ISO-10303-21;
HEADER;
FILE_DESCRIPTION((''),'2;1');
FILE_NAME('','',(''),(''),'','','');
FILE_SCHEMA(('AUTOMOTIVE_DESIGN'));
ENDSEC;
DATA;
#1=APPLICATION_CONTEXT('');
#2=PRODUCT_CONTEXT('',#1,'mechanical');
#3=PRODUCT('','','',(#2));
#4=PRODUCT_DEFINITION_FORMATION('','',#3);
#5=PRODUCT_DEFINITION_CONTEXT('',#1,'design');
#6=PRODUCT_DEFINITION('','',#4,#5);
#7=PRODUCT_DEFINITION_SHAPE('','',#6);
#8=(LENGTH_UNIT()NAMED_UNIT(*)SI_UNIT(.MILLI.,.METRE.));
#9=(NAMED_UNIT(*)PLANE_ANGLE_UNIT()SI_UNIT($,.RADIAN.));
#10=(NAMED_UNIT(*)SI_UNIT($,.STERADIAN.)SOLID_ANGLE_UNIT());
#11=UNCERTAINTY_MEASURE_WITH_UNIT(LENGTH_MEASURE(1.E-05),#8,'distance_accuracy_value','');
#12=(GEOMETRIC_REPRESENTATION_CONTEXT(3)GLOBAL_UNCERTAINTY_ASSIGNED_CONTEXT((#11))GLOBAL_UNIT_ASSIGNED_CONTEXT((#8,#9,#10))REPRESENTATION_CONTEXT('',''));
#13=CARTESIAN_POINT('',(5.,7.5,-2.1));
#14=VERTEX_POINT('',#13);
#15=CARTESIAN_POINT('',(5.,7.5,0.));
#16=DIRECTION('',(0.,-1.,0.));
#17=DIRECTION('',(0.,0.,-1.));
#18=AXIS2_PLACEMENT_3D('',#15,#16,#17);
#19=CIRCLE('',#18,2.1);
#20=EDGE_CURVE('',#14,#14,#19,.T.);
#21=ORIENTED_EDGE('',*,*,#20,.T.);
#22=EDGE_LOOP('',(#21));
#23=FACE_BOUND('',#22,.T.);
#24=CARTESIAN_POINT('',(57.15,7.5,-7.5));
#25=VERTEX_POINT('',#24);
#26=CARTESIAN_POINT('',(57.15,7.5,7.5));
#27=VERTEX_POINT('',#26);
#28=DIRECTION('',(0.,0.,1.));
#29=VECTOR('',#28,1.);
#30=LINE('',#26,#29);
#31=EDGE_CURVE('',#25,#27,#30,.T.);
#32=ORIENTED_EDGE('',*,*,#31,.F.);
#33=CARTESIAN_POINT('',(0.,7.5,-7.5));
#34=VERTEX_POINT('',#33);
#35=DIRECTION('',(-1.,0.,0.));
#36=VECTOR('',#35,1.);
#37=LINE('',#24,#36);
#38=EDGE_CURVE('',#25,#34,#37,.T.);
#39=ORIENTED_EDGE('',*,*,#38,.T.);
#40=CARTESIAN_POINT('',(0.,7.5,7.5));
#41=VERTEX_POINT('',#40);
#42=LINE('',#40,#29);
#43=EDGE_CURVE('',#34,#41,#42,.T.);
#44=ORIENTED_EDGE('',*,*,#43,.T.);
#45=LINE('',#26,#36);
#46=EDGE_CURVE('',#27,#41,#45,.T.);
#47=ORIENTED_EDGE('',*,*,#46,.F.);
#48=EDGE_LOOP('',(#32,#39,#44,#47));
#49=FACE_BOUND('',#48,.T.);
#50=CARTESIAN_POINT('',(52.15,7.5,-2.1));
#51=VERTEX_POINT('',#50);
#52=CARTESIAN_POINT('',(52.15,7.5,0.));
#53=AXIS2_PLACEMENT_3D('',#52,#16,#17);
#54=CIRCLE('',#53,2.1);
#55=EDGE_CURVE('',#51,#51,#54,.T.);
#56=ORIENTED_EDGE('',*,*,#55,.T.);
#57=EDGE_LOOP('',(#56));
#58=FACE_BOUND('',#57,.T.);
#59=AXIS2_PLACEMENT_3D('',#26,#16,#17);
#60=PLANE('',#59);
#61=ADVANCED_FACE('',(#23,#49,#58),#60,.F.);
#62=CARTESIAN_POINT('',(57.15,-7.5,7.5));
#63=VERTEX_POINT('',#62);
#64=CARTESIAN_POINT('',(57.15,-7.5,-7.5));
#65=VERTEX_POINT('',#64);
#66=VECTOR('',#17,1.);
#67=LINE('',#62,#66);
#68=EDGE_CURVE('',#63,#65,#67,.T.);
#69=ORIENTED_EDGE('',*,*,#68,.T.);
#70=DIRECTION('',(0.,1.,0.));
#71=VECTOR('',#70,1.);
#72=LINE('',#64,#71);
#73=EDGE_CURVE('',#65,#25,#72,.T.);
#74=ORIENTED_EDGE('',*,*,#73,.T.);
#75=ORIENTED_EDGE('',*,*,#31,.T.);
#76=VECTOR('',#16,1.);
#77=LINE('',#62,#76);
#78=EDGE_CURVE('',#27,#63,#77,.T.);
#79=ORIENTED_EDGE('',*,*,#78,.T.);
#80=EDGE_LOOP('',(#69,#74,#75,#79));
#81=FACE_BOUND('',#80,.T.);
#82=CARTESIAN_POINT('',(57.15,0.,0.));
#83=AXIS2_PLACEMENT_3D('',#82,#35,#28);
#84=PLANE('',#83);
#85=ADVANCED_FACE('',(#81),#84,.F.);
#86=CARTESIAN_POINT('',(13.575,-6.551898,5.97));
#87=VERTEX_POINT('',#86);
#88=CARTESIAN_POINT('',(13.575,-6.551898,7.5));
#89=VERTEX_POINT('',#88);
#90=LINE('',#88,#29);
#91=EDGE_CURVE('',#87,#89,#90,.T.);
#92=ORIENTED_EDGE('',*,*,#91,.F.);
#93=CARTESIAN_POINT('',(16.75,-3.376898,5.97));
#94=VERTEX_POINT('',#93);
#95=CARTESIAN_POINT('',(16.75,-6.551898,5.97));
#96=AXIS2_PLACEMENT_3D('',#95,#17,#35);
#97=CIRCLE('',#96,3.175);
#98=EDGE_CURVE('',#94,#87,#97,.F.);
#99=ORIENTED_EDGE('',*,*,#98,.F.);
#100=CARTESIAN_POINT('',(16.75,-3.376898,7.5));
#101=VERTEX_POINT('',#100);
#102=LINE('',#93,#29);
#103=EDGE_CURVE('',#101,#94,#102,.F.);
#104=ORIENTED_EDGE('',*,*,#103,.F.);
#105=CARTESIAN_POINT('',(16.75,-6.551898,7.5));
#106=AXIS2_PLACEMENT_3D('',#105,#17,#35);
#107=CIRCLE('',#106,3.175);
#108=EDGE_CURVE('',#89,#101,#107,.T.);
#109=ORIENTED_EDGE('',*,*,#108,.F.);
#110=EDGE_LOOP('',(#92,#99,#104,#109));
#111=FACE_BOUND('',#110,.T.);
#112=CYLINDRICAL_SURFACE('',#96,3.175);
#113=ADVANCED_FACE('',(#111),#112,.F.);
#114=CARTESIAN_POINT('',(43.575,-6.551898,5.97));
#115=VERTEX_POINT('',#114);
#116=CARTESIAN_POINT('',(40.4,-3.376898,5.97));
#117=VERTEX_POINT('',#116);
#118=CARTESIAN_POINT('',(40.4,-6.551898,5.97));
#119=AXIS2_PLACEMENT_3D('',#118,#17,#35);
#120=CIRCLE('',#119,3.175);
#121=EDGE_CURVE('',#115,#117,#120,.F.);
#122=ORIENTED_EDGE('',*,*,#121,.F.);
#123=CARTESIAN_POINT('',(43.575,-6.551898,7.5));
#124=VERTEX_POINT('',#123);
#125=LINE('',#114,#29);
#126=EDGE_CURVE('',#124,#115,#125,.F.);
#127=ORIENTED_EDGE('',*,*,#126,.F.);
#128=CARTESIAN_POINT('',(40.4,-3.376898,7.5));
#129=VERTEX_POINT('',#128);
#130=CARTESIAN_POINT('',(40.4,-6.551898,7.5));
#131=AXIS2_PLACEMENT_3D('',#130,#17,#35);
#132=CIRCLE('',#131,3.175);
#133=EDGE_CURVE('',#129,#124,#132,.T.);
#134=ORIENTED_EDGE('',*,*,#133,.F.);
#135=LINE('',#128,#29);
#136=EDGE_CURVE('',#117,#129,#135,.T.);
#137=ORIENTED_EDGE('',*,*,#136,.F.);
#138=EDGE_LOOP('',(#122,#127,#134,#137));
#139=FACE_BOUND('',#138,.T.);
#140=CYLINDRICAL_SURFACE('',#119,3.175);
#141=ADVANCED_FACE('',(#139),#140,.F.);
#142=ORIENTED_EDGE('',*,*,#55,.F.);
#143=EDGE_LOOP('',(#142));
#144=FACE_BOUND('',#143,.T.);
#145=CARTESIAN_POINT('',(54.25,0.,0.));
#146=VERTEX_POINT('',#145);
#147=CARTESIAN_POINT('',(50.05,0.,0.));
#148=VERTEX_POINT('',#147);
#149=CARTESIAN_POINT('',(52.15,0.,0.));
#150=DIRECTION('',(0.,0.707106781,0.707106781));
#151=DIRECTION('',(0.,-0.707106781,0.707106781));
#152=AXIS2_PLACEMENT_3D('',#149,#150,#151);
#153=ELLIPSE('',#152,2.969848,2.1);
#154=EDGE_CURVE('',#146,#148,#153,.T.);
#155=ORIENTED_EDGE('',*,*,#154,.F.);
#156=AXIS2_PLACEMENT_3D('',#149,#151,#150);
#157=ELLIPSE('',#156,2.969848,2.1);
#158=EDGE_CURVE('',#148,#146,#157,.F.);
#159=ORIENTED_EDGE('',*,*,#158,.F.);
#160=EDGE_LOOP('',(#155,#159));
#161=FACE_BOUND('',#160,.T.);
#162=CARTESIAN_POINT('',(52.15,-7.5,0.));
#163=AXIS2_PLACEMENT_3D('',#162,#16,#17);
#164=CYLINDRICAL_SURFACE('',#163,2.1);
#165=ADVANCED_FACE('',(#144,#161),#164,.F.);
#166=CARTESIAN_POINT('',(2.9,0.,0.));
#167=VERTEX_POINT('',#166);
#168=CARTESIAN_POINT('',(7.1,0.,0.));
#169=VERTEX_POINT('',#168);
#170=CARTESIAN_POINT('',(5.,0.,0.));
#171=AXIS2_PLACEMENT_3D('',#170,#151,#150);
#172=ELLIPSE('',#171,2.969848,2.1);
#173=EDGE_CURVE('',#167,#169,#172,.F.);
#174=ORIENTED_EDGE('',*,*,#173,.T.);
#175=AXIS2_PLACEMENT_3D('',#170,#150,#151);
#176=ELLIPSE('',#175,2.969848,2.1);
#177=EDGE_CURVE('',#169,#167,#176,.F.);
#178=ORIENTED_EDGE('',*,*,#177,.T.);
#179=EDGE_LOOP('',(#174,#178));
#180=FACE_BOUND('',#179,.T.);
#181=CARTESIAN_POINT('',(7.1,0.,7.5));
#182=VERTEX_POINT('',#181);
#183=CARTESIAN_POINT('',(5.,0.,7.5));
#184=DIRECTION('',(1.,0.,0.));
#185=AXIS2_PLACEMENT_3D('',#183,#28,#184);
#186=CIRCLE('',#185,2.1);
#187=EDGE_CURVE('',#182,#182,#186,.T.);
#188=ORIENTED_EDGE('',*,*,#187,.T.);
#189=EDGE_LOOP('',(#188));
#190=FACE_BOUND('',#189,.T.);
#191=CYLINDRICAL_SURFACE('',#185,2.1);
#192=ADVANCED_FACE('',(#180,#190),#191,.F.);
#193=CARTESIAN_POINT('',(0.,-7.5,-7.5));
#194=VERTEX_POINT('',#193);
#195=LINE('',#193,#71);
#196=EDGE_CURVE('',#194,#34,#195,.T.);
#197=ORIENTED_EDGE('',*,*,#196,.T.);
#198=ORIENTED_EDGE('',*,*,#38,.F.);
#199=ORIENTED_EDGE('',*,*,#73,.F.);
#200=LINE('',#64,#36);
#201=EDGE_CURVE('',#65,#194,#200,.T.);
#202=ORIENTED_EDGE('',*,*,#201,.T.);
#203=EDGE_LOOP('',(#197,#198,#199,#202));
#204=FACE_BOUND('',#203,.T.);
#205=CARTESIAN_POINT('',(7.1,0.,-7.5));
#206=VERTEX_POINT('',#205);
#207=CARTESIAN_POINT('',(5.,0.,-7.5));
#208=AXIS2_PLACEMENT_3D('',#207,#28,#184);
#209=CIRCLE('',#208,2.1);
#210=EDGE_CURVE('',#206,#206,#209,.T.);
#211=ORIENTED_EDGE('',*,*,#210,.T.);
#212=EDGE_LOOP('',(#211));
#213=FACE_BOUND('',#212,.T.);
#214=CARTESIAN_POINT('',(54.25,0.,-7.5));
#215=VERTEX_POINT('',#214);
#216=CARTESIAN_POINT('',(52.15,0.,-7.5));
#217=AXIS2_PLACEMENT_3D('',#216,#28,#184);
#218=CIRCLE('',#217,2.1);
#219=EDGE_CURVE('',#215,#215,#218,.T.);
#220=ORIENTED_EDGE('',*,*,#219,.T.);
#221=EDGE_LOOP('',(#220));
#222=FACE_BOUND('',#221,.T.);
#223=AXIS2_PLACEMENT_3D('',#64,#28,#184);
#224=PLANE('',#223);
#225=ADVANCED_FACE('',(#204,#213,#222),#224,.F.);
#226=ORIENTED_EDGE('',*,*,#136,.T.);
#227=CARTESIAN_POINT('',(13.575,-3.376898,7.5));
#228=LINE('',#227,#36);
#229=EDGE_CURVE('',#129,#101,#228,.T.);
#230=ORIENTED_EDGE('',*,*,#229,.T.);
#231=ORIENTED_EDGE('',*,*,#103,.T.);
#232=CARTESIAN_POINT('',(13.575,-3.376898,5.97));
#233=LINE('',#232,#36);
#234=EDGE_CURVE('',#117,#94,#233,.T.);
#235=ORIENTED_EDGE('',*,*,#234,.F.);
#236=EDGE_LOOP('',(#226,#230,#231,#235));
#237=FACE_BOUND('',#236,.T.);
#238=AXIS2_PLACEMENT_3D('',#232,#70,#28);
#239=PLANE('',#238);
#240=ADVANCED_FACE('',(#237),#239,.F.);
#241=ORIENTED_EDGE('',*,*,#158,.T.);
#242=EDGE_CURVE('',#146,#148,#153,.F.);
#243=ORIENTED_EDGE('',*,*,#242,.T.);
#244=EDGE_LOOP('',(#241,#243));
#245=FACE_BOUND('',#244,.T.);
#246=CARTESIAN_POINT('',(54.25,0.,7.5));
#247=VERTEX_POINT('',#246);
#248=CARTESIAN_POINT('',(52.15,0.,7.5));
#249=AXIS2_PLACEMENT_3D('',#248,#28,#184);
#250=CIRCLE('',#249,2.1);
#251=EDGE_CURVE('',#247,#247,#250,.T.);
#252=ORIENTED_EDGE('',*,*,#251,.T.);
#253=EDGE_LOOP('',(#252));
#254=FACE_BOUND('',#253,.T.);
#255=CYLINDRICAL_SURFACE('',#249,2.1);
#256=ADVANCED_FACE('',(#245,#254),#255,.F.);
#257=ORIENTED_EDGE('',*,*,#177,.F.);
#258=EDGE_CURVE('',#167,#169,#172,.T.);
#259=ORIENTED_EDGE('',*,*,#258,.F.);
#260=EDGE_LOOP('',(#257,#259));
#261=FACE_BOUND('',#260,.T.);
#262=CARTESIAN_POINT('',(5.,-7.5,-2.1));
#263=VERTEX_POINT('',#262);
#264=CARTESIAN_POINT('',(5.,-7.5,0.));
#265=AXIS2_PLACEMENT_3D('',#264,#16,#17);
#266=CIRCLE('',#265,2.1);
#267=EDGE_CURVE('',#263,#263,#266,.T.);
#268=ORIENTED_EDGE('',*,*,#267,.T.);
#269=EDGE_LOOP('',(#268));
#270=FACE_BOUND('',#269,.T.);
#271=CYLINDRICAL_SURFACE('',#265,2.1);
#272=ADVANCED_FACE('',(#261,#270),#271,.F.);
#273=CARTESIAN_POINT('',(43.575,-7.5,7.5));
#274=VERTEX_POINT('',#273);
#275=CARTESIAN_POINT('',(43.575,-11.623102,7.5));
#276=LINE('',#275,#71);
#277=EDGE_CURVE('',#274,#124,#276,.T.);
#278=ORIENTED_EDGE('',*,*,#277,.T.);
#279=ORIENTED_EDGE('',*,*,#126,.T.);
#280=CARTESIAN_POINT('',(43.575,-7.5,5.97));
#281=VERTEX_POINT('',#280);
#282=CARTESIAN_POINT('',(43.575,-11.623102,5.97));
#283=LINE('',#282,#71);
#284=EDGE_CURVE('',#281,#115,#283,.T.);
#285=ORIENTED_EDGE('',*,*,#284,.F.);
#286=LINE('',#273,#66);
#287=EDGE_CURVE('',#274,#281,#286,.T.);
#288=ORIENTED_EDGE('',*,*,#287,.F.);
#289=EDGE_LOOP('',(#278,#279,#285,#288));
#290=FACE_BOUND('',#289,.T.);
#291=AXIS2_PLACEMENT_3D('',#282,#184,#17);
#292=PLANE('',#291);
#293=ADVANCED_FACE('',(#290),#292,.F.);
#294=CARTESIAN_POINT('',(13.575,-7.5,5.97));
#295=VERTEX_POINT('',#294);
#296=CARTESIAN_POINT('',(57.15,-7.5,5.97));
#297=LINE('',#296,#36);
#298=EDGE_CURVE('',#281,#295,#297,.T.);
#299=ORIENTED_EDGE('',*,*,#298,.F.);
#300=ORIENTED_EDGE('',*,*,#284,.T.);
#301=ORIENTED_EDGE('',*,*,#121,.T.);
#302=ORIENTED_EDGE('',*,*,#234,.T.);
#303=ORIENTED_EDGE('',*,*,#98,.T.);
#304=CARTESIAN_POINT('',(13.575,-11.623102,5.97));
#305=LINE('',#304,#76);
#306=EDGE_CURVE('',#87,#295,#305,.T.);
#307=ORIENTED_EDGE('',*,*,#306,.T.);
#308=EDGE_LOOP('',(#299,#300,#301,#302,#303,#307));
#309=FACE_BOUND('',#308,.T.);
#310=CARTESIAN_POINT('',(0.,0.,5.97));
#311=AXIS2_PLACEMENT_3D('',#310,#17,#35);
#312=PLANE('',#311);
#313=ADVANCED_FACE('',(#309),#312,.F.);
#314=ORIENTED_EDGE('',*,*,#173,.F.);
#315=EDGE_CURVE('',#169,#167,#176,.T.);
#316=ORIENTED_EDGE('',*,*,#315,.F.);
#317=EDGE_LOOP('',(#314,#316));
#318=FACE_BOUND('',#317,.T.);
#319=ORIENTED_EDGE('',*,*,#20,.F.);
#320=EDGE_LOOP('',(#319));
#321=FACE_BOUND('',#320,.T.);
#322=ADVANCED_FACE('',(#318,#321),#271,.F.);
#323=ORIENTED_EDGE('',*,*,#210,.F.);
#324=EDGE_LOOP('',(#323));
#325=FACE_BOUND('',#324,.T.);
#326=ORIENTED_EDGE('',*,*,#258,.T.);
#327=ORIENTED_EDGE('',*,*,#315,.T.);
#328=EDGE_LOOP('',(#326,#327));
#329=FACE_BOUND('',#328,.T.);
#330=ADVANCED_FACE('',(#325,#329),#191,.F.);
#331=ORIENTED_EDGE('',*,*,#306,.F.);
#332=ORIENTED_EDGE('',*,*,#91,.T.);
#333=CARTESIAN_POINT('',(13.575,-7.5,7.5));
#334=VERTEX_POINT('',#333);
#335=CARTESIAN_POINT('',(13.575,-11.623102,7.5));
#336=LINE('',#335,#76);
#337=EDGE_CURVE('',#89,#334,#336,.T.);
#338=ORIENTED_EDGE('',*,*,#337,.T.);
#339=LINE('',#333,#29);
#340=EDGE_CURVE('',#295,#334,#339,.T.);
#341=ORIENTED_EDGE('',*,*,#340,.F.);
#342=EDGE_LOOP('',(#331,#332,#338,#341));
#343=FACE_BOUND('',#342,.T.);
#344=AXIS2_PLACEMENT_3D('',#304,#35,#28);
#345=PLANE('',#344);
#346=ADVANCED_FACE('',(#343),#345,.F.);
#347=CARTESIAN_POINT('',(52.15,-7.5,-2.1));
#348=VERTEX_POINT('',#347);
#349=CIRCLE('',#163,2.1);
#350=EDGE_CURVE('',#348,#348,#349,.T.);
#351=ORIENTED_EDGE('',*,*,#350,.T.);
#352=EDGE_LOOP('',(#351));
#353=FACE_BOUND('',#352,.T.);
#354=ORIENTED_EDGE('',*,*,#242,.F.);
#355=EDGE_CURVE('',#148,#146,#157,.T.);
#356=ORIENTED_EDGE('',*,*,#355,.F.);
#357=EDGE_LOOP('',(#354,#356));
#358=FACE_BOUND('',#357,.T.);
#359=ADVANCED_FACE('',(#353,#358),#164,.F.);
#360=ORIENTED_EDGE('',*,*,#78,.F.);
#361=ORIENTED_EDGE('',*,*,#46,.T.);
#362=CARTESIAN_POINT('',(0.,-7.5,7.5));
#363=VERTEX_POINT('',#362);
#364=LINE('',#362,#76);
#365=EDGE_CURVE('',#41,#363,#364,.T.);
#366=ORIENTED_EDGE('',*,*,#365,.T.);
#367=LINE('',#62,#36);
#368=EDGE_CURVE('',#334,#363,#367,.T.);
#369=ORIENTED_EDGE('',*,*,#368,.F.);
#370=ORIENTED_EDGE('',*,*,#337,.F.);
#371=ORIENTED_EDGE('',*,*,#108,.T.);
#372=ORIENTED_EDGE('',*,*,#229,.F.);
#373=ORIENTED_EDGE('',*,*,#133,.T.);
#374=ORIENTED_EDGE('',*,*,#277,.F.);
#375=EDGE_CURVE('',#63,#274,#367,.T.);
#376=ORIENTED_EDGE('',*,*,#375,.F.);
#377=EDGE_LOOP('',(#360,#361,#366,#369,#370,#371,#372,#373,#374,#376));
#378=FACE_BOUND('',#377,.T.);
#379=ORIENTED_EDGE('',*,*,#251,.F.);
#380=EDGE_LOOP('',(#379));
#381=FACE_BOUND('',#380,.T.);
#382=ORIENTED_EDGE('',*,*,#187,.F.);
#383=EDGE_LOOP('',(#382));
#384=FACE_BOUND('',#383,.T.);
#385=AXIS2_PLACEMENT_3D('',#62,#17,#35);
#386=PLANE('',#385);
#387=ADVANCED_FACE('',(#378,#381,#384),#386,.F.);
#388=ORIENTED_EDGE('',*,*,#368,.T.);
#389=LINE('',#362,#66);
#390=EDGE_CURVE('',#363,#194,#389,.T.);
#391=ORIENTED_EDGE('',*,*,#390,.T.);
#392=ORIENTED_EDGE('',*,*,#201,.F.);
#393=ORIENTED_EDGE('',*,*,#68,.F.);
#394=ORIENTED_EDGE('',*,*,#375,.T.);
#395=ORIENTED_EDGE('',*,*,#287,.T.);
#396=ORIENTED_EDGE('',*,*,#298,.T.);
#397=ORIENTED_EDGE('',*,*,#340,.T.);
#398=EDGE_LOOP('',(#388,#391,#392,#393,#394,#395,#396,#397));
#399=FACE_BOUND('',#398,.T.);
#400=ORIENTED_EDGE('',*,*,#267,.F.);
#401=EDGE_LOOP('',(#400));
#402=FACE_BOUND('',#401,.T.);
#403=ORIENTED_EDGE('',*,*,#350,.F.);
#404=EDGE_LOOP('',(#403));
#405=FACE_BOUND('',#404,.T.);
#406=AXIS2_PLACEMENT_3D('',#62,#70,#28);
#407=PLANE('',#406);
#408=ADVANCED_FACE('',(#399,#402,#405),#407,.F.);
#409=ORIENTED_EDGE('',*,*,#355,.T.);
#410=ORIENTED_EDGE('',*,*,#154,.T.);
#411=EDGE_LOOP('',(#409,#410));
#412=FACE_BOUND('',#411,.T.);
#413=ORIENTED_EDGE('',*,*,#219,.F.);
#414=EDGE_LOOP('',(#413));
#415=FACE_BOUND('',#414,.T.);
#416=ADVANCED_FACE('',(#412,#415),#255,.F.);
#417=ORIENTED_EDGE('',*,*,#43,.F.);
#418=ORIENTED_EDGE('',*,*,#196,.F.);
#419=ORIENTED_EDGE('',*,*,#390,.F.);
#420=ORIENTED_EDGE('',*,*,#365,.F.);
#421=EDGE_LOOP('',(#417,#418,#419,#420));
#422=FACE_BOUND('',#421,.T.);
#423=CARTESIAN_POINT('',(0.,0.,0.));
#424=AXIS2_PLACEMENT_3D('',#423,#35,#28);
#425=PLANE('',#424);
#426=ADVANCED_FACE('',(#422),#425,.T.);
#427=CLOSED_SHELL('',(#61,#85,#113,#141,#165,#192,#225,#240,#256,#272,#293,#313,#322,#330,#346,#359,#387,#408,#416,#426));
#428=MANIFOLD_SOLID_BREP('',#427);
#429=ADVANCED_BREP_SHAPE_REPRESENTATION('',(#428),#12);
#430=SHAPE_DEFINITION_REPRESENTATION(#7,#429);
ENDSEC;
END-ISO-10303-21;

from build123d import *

# Parameters (mm, degrees)
SKETCH1_W             = 15
SKETCH1_H             = 15
BOSS_EXTRUDE1_DEPTH   = 57.15
M5X0_8_TAPPED_HOLE1_D = 4.2
M5X0_8_TAPPED_HOLE2_D = 4.2
SKETCH12_W            = 30
SKETCH12_H            = 8.246203466
CUT_EXTRUDE2_DEPTH    = 1.53
FILLET2_R             = 3.175


with BuildPart() as part:
    # Sketch1 → Boss-Extrude1 (new body)
    with BuildSketch(Plane(origin=(0, 0, 0), x_dir=(0, 0, -1), z_dir=(1, 0, 0))):
        Rectangle(SKETCH1_W, SKETCH1_H)
    extrude(amount=BOSS_EXTRUDE1_DEPTH)

    # M5x0.8 Tapped Hole1 (through all)
    with Locations(Plane.XY.offset(7.5)):
        with Locations((5, 0), (52.15, 0)):
            Hole(M5X0_8_TAPPED_HOLE1_D / 2)

    # M5x0.8 Tapped Hole2 (through all)
    with Locations(Plane(origin=(0, -7.5, 0), x_dir=(-1, 0, 0), z_dir=(0, -1, 0))):
        with Locations((-5, 0), (-52.15, 0)):
            Hole(M5X0_8_TAPPED_HOLE2_D / 2)

    # Sketch12 → Cut-Extrude2 (cut)
    with BuildSketch(Plane.XY.offset(7.5)):
        with Locations((28.575, -7.5)):
            Rectangle(SKETCH12_W, SKETCH12_H)
    extrude(amount=-CUT_EXTRUDE2_DEPTH, mode=Mode.SUBTRACT)

    # Fillet2
    fillet2_edges = [part.edges().sort_by_distance(p)[0] for p in [
        (43.575, -3.376898267, 6.735),
        (13.575, -3.376898267, 6.735),
    ]]
    fillet(fillet2_edges, radius=FILLET2_R)


solid = part.part
